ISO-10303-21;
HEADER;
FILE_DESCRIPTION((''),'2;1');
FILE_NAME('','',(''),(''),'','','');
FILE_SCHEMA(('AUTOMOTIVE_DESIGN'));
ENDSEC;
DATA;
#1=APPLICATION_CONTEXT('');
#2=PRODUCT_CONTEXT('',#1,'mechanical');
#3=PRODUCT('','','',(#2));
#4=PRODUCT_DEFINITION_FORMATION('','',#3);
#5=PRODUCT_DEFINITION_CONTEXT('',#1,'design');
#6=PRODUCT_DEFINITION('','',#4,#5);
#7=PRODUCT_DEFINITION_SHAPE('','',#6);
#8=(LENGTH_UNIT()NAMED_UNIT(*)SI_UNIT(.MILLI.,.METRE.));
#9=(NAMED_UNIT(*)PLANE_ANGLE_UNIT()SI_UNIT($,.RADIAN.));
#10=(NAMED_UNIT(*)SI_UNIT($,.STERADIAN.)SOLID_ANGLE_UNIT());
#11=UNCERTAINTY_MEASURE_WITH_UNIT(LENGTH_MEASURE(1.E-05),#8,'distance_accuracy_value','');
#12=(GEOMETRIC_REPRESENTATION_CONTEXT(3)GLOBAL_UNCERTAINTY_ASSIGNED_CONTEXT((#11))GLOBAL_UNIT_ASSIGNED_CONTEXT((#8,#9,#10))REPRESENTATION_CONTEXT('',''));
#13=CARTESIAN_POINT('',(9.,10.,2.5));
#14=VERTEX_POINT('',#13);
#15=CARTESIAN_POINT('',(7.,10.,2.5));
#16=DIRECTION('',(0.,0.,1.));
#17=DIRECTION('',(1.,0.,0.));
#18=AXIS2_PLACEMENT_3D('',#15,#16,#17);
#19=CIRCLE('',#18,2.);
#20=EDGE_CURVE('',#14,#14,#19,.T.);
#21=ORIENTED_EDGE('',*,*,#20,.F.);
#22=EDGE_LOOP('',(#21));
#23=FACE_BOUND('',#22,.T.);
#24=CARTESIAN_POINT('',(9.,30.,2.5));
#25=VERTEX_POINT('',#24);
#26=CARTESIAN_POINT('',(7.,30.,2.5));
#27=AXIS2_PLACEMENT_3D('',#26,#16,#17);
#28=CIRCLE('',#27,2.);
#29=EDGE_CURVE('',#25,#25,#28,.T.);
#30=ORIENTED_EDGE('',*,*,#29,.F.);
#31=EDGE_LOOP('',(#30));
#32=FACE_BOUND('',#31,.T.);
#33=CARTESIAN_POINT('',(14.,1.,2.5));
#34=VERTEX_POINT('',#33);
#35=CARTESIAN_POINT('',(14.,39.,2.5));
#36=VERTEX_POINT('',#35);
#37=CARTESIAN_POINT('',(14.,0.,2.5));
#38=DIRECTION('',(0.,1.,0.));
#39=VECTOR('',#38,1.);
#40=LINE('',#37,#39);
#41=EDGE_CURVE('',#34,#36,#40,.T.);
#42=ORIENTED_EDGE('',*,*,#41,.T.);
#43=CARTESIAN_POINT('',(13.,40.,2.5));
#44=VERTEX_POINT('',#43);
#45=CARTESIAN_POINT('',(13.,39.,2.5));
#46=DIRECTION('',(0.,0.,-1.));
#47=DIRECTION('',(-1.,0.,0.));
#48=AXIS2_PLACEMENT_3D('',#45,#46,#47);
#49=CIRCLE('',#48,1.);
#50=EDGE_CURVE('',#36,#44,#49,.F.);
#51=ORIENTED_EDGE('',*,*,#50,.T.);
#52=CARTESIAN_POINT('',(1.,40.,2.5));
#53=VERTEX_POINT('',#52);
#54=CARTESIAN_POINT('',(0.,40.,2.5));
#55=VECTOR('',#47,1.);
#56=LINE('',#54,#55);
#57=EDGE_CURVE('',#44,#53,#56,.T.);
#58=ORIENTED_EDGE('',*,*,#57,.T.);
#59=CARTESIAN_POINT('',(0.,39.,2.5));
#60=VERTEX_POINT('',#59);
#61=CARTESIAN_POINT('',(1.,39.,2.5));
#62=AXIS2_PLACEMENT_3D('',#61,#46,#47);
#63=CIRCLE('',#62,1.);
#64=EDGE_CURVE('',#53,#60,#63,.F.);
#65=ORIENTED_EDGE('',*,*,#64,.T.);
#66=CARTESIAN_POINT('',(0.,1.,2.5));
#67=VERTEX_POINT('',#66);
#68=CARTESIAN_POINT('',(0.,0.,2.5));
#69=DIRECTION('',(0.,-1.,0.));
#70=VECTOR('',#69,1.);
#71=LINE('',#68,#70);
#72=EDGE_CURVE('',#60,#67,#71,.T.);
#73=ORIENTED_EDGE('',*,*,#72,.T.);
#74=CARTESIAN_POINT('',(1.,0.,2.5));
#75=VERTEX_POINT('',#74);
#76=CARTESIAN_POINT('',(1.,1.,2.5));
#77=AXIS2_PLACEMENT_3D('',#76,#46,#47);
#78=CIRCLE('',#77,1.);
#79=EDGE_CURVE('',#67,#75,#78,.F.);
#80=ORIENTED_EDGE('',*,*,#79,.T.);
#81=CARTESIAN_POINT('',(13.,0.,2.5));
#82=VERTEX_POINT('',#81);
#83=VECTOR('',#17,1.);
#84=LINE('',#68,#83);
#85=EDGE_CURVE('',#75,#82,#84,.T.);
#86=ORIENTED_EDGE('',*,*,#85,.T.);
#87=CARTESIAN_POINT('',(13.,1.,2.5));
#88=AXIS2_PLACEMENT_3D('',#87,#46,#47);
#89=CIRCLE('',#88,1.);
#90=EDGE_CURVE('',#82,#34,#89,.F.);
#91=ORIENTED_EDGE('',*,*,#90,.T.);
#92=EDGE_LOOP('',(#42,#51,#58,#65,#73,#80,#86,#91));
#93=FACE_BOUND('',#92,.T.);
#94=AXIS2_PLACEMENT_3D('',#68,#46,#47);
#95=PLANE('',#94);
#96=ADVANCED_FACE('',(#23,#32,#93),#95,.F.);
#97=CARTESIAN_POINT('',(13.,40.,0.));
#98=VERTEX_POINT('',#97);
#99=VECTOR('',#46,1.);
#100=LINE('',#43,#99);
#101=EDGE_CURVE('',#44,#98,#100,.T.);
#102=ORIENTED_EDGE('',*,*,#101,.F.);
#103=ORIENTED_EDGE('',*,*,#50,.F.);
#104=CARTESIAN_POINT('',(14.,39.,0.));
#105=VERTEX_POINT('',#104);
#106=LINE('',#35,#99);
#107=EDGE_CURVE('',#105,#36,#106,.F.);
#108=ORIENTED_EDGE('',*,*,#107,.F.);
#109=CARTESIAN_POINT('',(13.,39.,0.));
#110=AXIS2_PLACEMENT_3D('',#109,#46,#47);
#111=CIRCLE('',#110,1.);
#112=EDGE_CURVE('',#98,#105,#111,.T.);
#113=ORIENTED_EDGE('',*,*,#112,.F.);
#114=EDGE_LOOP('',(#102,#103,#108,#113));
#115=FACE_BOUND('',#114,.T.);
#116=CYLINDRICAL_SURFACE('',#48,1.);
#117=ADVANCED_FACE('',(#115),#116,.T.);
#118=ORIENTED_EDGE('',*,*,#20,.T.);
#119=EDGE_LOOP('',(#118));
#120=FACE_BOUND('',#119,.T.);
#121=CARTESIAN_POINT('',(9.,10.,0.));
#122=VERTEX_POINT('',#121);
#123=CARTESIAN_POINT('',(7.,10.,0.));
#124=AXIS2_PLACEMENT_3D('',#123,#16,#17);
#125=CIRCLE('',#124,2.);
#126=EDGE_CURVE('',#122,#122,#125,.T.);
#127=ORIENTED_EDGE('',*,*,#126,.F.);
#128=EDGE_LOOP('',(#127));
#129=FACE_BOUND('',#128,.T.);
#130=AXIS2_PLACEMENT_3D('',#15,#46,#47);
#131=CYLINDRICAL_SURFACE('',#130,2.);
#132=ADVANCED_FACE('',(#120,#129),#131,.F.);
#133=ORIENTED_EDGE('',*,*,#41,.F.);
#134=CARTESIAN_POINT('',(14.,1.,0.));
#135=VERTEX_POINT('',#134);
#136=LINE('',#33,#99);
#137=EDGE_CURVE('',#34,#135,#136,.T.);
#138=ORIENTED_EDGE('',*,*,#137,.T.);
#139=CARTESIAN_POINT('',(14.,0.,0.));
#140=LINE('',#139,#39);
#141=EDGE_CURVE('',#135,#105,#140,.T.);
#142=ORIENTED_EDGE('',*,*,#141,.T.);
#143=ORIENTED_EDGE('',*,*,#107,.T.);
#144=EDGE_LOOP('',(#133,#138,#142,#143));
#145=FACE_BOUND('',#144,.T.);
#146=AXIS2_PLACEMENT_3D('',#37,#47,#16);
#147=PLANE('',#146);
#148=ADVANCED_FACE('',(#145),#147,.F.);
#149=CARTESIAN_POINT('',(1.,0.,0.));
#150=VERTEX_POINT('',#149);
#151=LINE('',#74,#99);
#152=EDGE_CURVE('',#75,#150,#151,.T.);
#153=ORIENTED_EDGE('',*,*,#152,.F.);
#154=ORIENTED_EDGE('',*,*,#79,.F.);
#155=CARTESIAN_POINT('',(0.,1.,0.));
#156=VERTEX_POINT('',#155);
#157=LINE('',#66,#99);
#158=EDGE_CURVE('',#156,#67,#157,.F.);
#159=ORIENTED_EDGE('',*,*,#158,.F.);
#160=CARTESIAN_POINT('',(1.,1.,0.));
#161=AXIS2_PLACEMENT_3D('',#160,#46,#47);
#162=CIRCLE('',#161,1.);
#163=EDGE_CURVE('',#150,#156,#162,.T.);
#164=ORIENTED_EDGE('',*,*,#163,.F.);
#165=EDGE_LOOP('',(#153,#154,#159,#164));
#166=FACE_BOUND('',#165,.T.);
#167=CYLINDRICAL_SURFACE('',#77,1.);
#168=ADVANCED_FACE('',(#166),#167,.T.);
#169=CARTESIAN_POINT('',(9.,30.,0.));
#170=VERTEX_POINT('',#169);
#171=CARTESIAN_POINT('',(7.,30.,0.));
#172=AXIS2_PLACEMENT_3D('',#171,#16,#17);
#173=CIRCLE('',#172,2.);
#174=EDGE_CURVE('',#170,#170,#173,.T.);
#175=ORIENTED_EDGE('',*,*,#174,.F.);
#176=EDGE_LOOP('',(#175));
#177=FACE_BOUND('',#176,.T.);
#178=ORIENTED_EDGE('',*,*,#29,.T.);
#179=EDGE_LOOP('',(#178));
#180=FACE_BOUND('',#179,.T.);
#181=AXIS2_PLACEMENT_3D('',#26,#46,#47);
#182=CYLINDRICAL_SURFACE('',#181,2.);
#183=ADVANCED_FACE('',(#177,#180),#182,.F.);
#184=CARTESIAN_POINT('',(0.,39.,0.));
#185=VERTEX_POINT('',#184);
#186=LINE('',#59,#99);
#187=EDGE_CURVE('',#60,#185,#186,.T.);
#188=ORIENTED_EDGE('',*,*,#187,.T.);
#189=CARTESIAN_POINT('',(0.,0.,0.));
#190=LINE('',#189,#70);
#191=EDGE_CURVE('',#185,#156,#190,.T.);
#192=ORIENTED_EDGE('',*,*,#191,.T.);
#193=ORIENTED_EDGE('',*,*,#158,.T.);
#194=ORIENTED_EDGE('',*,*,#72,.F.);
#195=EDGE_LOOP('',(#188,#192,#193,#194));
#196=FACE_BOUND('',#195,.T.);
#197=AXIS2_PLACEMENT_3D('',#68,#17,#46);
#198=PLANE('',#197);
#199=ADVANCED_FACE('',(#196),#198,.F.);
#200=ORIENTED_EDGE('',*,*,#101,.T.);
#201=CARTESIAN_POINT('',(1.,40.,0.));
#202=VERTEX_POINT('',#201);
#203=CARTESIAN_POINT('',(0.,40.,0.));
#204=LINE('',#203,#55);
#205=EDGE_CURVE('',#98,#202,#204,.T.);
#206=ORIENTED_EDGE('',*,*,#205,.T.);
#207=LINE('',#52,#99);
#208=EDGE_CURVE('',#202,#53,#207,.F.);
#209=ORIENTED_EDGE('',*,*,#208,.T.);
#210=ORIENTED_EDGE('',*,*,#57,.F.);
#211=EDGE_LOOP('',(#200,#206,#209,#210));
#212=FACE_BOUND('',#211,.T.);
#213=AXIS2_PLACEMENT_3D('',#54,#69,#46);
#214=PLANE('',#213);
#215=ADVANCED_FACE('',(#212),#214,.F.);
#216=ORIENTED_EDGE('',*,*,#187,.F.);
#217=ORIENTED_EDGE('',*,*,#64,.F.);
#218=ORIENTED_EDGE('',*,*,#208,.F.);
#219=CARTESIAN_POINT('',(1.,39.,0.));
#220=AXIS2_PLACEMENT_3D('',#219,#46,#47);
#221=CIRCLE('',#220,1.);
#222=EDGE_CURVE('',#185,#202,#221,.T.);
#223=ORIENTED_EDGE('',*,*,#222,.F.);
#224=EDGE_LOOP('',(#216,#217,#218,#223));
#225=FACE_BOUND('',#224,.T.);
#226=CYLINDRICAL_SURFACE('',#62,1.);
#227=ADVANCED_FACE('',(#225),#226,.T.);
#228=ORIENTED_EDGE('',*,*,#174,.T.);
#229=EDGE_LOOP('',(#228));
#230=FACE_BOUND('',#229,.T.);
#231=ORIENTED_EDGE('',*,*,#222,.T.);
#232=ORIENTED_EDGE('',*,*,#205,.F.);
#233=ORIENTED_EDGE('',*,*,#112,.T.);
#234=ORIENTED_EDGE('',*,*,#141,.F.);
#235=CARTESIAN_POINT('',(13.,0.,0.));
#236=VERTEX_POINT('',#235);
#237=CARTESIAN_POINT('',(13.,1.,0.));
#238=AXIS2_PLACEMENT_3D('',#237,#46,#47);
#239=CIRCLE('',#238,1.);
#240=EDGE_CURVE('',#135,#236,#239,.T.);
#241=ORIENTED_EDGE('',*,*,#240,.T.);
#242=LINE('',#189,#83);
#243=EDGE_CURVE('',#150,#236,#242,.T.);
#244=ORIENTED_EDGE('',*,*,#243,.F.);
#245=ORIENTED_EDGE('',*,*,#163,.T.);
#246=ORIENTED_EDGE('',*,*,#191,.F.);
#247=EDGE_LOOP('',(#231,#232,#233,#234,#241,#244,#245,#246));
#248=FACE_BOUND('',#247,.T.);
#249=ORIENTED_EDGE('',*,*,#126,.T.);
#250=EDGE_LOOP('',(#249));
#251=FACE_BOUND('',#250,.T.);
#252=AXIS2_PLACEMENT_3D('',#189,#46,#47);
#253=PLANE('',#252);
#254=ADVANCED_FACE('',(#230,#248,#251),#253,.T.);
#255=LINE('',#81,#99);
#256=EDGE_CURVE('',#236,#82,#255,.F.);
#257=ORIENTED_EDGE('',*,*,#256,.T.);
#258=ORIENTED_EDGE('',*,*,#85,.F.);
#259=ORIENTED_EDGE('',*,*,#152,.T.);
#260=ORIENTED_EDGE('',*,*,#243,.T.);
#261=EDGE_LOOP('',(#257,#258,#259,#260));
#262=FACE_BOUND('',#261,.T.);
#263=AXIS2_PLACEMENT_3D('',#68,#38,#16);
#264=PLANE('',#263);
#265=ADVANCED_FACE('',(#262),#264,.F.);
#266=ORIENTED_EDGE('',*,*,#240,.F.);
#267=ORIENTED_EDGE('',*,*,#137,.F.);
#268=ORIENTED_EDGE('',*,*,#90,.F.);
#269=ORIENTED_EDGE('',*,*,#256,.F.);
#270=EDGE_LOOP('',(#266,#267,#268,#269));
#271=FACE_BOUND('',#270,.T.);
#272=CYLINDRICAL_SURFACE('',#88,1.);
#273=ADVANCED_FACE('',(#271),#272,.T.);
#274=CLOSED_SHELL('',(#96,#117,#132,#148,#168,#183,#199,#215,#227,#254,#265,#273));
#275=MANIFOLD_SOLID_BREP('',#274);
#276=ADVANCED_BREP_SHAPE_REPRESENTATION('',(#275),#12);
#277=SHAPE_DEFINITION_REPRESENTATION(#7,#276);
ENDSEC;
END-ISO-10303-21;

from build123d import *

# Parameters (mm, degrees)
SKETCH1_W           = 14
SKETCH1_H           = 40
SKETCH1_R           = 2
BOSS_EXTRUDE1_DEPTH = 2.5
FILLET1_R           = 1


with BuildPart() as part:
    # Sketch1 → Boss-Extrude1 (new body)
    with BuildSketch(Plane.XY):
        with Locations((7, 20)):
            Rectangle(SKETCH1_W, SKETCH1_H)
        with Locations((7, 10)):
            Circle(SKETCH1_R, mode=Mode.SUBTRACT)
        with Locations((7, 30)):
            Circle(SKETCH1_R, mode=Mode.SUBTRACT)
    extrude(amount=BOSS_EXTRUDE1_DEPTH)

    # Fillet1
    fillet1_edges = [part.edges().sort_by_distance(p)[0] for p in [
        (0, 40, 1.25),
        (14, 40, 1.25),
        (14, 0, 1.25),
        (0, 0, 1.25),
    ]]
    fillet(fillet1_edges, radius=FILLET1_R)


solid = part.part
